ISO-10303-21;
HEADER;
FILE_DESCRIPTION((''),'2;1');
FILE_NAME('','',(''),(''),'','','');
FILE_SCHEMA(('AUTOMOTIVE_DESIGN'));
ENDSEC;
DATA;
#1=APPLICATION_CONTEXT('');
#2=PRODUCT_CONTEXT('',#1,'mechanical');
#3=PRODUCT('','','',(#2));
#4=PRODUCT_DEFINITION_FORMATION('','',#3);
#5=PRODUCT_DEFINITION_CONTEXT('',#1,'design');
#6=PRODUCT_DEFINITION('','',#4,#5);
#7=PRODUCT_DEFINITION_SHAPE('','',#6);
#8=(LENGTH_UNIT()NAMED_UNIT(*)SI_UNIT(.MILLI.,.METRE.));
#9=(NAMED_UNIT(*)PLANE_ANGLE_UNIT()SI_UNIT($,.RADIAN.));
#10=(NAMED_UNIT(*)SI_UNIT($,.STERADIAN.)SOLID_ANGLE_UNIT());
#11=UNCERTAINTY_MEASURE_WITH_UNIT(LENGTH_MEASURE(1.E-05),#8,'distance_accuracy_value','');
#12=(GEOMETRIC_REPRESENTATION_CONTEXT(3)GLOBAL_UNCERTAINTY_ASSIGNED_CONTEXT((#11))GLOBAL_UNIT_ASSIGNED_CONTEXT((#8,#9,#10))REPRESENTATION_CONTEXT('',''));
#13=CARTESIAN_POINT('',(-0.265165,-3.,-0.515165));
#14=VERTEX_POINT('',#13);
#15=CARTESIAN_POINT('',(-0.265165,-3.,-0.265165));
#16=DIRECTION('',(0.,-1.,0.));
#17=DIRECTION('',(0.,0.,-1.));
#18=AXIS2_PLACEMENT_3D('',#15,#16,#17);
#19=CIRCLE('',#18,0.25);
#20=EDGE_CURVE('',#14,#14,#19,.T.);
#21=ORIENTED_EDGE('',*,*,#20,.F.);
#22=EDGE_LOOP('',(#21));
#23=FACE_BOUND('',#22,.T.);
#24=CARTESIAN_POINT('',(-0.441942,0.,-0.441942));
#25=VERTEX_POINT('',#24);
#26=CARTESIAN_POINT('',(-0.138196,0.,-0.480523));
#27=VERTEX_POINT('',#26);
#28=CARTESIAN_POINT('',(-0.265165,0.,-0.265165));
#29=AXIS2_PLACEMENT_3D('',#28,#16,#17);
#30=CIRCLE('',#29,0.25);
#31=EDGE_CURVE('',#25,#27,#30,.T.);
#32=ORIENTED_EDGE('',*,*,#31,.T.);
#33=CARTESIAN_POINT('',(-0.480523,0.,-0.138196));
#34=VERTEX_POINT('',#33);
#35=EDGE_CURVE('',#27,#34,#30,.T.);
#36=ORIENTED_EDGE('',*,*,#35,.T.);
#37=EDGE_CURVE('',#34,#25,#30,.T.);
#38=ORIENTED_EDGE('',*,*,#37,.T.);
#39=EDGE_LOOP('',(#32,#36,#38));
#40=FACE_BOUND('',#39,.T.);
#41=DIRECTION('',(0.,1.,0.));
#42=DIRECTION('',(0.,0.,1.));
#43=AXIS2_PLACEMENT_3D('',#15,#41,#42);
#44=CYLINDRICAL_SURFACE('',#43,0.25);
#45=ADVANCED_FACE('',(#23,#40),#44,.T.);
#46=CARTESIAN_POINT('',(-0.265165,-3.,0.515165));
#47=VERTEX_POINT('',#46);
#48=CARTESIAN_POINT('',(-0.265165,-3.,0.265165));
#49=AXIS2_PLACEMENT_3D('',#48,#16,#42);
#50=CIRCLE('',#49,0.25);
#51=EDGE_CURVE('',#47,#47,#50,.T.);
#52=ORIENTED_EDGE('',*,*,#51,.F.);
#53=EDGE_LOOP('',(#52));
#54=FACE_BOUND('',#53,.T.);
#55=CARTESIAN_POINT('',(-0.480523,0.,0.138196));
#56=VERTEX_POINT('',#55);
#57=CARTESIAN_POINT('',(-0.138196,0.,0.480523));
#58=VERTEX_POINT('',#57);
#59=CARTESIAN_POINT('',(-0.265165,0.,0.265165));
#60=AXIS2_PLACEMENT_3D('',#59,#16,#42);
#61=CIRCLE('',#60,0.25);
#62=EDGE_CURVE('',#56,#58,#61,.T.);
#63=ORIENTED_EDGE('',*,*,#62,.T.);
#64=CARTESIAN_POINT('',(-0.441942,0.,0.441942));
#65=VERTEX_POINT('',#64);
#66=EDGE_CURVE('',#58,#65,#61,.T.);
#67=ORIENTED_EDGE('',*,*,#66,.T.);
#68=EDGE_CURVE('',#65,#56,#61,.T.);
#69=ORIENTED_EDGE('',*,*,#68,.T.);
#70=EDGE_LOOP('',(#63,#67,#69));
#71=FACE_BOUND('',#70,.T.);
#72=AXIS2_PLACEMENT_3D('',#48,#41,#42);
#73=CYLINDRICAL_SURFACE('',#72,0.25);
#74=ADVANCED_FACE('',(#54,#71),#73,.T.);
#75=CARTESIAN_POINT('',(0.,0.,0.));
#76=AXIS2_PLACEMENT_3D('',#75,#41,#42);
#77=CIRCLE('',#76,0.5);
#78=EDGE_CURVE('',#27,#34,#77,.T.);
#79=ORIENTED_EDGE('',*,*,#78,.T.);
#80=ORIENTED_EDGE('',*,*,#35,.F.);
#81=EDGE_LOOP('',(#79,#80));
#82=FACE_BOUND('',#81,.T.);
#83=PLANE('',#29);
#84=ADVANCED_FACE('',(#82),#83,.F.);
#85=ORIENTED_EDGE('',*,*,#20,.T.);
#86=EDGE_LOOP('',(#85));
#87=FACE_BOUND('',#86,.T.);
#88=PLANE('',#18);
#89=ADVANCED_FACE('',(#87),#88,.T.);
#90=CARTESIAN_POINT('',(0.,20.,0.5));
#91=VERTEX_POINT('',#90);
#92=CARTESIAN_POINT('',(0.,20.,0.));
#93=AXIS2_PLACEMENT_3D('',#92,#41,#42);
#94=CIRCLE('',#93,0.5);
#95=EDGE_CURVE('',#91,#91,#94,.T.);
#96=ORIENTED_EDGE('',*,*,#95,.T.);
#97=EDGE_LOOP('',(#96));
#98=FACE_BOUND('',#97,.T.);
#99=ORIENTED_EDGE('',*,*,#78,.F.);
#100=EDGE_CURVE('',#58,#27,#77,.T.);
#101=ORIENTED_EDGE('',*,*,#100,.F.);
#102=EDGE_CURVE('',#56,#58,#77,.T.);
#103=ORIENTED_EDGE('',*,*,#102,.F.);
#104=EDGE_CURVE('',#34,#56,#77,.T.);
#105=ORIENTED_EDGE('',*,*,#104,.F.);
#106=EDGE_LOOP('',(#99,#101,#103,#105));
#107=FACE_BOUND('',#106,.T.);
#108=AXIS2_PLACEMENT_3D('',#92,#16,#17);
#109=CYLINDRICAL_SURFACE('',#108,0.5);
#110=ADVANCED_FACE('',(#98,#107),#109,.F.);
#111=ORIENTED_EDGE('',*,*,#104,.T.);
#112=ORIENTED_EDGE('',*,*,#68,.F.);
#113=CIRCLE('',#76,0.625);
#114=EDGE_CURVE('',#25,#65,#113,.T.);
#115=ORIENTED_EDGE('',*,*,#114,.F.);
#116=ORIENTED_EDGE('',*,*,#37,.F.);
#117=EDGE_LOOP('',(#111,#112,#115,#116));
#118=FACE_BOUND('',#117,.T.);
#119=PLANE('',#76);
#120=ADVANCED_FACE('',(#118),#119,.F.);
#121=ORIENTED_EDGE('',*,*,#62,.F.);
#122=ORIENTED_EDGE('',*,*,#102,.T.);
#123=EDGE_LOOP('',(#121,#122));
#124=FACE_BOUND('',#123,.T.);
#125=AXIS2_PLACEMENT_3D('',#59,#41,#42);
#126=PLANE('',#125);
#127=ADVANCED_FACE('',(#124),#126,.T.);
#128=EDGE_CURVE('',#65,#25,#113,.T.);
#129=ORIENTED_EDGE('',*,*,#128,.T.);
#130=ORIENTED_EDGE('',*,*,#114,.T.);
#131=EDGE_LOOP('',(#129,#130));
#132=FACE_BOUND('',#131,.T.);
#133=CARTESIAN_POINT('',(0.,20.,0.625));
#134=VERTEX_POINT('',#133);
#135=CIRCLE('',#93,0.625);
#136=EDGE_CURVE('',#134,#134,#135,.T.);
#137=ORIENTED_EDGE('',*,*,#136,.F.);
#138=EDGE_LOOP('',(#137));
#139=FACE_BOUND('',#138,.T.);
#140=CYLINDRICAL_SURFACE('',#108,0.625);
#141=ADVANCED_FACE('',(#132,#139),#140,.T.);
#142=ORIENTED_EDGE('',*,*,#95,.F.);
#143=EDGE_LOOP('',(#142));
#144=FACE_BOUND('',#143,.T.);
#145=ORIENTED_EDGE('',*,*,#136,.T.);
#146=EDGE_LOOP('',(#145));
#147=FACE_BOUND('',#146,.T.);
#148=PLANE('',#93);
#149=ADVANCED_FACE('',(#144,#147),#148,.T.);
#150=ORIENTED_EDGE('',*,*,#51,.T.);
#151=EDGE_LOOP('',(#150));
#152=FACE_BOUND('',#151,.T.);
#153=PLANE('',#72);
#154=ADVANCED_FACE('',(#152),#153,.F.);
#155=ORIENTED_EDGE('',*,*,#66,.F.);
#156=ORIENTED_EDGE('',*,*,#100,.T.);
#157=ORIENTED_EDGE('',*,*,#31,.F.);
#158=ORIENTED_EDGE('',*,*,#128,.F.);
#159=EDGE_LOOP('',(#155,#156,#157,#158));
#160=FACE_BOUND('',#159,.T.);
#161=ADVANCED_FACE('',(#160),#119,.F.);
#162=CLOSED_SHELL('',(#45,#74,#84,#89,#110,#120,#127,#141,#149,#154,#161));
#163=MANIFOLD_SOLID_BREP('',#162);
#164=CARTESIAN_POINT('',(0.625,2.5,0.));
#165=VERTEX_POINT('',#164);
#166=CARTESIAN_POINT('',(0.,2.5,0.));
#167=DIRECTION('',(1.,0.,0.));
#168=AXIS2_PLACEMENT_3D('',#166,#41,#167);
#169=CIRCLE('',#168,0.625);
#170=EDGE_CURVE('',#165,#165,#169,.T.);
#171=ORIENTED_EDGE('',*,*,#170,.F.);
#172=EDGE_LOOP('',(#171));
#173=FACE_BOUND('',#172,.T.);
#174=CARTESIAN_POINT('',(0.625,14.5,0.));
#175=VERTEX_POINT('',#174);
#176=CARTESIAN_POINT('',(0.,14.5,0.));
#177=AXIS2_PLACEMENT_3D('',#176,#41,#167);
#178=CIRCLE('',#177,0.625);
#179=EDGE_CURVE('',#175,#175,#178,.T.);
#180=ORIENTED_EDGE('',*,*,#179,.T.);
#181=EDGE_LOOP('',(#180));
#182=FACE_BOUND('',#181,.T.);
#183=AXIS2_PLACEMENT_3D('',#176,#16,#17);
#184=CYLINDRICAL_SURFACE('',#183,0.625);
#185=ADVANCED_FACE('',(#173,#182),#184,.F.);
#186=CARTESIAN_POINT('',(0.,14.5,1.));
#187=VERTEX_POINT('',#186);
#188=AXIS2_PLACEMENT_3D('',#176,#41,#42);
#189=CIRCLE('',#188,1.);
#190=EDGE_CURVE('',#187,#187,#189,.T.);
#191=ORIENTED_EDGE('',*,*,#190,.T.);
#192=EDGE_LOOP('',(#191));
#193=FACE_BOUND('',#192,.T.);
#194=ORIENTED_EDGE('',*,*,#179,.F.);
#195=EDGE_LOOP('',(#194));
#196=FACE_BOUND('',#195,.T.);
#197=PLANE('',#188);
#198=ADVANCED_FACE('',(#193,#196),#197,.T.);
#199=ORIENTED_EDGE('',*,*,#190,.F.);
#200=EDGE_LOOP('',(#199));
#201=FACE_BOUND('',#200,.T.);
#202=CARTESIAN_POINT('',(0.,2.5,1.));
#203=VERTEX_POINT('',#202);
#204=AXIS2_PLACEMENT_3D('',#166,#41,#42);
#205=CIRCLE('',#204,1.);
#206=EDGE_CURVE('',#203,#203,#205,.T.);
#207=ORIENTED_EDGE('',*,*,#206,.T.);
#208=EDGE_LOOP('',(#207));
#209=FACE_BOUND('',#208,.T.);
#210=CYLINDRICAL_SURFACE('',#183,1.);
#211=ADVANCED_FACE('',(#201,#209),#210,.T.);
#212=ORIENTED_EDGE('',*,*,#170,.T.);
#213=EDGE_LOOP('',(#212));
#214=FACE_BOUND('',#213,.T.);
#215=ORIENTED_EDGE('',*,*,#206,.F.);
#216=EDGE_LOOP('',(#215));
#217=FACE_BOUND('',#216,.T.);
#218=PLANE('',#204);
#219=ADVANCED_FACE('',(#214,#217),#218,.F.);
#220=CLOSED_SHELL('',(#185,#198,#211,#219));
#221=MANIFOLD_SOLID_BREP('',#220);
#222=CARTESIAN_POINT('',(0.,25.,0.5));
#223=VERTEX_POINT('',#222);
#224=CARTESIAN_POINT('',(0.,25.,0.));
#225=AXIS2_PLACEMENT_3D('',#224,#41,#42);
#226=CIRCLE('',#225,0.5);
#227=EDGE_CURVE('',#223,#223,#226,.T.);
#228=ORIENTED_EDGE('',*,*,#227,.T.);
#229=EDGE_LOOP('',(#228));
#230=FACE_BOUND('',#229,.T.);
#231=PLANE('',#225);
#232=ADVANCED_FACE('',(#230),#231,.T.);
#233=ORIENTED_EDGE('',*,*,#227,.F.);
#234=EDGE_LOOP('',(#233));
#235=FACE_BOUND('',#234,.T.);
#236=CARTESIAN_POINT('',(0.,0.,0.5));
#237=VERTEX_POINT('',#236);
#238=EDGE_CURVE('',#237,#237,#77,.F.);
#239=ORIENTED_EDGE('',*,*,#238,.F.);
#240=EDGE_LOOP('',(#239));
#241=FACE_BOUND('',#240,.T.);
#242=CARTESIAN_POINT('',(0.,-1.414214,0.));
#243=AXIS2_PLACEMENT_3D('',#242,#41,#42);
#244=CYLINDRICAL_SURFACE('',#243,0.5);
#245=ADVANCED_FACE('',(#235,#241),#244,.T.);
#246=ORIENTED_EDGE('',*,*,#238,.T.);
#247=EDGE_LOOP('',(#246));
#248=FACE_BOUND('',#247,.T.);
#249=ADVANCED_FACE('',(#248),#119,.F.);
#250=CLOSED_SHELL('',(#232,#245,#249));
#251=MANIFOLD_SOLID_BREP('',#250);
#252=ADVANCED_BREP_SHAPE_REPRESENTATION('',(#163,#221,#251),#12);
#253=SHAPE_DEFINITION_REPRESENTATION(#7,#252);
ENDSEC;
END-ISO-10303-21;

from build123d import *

# Parameters (mm, degrees)
SKIZZE1_R                            = 0.625
SKIZZE1_R_2                          = 0.5
AUFSATZ_LINEAR_AUSTRAGEN1_DEPTH      = 20
AUFSATZ_LINEAR_AUSTRAGEN2_DEPTH      = 5
AUFSATZ_LINEAR_AUSTRAGEN2_DEPTH_BACK = 20
SKIZZE2_R                            = 0.5
SKIZZE3_R                            = 1
SKIZZE3_R_2                          = 0.625
LINEAR_AUSTRAGEN_D_NN1_DEPTH         = 12
SKIZZE5_R                            = 0.25
AUFSATZ_LINEAR_AUSTRAGEN3_DEPTH      = 3


with BuildPart() as part:
    # Skizze1 → Aufsatz-Linear austragen1 (new body)
    with BuildSketch(Plane(origin=(0, 0, 0), x_dir=(1, 0, 0), z_dir=(0, 1, 0))):
        with Locations(Location((0, 0, 0), (0, 0, 270))):
            Circle(SKIZZE1_R)
        with Locations(Location((0, 0, 0), (0, 0, 270))):
            Circle(SKIZZE1_R_2, mode=Mode.SUBTRACT)
    extrude(amount=AUFSATZ_LINEAR_AUSTRAGEN1_DEPTH)

    # Skizze5 → Aufsatz-Linear austragen3 (add)
    with BuildSketch(Plane.XZ):
        with Locations(Location((-0.265165043, -0.265165043, 0), (0, 0, 149.477512186))):
            Circle(SKIZZE5_R)
        with Locations(Location((-0.265165043, 0.265165043, 0), (0, 0, 90))):
            Circle(SKIZZE5_R)
    extrude(amount=AUFSATZ_LINEAR_AUSTRAGEN3_DEPTH)


with BuildPart() as body_2:
    # Skizze2 → Aufsatz-Linear austragen2 (new, two sides: drawn at the far end of the back side and taken through both)
    with BuildSketch(Plane(origin=(0, 20, 0), x_dir=(1, 0, 0), z_dir=(0, 1, 0)).offset(-AUFSATZ_LINEAR_AUSTRAGEN2_DEPTH_BACK)):
        with Locations(Location((0, 0, 0), (0, 0, 270))):
            Circle(SKIZZE2_R)
    extrude(amount=AUFSATZ_LINEAR_AUSTRAGEN2_DEPTH + AUFSATZ_LINEAR_AUSTRAGEN2_DEPTH_BACK)


with BuildPart() as body_3:
    # Skizze3 → Linear-Austragen-Dünn1 (new body)
    with BuildSketch(Plane(origin=(0, 2.5, 0), x_dir=(1, 0, 0), z_dir=(0, 1, 0))):
        Circle(SKIZZE3_R)
        Circle(SKIZZE3_R_2, mode=Mode.SUBTRACT)
    extrude(amount=LINEAR_AUSTRAGEN_D_NN1_DEPTH)


solid = Compound([part.part, body_2.part, body_3.part])
